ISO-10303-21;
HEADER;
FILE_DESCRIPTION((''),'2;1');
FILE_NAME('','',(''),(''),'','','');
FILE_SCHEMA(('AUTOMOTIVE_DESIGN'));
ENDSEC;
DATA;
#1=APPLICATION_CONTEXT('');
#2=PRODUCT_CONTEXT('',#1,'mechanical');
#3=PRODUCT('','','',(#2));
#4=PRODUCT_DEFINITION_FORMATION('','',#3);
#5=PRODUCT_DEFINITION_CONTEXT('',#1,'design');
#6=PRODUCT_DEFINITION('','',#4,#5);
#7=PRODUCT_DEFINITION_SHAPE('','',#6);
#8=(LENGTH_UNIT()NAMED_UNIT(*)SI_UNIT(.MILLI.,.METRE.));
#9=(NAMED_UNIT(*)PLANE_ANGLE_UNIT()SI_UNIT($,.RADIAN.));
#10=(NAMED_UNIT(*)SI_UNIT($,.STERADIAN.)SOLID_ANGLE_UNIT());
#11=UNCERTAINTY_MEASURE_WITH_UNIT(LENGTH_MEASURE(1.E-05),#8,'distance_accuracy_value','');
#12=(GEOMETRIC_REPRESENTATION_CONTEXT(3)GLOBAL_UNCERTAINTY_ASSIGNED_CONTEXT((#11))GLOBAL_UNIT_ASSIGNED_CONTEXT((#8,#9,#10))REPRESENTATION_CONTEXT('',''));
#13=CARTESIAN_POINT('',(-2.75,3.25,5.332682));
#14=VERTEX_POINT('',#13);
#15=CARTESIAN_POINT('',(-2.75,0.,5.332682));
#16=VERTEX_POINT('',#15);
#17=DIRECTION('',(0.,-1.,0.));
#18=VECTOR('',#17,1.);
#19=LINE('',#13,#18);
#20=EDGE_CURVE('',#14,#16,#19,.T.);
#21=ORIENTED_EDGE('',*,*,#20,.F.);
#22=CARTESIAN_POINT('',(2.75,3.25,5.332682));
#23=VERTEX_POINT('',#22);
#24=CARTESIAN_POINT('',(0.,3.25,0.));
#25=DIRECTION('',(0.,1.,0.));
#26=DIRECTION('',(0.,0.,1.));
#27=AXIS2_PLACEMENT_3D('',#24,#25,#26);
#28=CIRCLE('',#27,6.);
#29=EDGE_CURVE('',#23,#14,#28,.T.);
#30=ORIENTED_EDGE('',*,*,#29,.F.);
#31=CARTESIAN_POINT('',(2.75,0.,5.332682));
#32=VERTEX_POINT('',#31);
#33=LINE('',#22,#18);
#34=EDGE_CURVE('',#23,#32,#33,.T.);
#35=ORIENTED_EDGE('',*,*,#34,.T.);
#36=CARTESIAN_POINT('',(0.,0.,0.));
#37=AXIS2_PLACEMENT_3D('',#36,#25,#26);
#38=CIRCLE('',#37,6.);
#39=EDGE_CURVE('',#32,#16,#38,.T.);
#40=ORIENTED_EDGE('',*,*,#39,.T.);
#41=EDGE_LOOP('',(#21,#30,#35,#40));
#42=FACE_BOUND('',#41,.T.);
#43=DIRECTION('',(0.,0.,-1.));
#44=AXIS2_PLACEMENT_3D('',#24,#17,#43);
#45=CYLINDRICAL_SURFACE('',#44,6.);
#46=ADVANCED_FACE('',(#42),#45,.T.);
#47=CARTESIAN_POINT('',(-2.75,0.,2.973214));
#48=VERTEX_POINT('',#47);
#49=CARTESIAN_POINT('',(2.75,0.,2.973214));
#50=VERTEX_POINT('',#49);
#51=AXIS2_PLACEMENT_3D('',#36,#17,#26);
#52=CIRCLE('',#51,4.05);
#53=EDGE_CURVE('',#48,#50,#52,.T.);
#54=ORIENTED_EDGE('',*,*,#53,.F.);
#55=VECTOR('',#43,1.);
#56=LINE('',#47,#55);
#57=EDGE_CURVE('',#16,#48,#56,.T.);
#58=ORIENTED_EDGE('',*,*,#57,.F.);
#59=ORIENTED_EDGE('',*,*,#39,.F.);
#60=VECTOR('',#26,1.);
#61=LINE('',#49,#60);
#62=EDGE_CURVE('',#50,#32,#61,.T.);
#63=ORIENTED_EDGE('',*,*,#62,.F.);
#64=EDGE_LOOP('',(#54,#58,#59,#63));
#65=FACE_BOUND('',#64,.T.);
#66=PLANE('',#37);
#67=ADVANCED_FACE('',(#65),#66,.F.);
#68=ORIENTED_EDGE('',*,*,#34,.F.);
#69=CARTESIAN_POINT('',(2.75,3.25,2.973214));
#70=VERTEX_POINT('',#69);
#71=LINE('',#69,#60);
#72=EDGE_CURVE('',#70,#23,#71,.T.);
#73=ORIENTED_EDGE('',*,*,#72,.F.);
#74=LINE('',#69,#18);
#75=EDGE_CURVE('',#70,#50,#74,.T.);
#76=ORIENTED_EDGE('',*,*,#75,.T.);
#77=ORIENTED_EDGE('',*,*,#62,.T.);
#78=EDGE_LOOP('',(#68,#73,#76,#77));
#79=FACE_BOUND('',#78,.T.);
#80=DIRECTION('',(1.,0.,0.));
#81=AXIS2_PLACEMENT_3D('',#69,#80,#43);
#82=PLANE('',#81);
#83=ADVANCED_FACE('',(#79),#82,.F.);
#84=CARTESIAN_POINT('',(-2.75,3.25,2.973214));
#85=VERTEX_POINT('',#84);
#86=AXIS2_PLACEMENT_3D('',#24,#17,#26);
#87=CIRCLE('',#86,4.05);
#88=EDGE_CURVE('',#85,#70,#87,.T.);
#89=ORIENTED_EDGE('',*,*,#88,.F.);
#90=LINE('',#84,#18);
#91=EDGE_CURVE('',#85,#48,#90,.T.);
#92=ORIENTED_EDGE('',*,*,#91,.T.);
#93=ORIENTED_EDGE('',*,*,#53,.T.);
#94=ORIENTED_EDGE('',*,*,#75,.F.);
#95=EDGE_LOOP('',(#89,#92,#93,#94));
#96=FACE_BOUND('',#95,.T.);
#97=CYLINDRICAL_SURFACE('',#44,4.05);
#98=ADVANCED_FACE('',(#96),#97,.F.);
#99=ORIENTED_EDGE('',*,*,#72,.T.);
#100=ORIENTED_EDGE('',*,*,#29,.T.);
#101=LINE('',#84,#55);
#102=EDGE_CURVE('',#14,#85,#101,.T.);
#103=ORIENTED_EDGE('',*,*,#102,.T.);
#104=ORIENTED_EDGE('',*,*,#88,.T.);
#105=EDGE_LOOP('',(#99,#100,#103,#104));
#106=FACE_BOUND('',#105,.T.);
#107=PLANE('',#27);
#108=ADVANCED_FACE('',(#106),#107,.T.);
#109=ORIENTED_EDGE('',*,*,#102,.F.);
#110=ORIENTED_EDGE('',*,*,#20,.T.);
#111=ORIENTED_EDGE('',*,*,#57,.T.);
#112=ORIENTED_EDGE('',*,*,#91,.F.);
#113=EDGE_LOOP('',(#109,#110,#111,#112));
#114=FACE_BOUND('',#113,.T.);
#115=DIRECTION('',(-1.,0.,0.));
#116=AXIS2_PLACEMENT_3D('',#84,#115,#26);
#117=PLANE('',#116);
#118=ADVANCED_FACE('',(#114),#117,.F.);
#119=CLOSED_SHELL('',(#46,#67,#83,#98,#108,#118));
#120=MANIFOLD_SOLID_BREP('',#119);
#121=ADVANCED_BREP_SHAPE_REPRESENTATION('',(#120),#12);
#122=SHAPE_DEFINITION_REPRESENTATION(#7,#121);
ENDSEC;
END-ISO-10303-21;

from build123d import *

# Parameters (mm, degrees)
BOSS_EXTRUDE1_DEPTH = 3.25


with BuildPart() as part:
    # Sketch1 → Boss-Extrude1 (new body)
    with BuildSketch(Plane(origin=(0, 0, 0), x_dir=(1, 0, 0), z_dir=(0, 1, 0))):
        with BuildLine():
            Line((-2.75, -2.973213749), (-2.75, -5.332682252))
            ThreePointArc((-2.75, -5.332682252), (0, 6), (2.75, -5.332682252))
            Line((2.75, -5.332682252), (2.75, -2.973213749))
            ThreePointArc((2.75, -2.973213749), (0, 4.05), (-2.75, -2.973213749))
        make_face()
    extrude(amount=BOSS_EXTRUDE1_DEPTH)


solid = part.part
